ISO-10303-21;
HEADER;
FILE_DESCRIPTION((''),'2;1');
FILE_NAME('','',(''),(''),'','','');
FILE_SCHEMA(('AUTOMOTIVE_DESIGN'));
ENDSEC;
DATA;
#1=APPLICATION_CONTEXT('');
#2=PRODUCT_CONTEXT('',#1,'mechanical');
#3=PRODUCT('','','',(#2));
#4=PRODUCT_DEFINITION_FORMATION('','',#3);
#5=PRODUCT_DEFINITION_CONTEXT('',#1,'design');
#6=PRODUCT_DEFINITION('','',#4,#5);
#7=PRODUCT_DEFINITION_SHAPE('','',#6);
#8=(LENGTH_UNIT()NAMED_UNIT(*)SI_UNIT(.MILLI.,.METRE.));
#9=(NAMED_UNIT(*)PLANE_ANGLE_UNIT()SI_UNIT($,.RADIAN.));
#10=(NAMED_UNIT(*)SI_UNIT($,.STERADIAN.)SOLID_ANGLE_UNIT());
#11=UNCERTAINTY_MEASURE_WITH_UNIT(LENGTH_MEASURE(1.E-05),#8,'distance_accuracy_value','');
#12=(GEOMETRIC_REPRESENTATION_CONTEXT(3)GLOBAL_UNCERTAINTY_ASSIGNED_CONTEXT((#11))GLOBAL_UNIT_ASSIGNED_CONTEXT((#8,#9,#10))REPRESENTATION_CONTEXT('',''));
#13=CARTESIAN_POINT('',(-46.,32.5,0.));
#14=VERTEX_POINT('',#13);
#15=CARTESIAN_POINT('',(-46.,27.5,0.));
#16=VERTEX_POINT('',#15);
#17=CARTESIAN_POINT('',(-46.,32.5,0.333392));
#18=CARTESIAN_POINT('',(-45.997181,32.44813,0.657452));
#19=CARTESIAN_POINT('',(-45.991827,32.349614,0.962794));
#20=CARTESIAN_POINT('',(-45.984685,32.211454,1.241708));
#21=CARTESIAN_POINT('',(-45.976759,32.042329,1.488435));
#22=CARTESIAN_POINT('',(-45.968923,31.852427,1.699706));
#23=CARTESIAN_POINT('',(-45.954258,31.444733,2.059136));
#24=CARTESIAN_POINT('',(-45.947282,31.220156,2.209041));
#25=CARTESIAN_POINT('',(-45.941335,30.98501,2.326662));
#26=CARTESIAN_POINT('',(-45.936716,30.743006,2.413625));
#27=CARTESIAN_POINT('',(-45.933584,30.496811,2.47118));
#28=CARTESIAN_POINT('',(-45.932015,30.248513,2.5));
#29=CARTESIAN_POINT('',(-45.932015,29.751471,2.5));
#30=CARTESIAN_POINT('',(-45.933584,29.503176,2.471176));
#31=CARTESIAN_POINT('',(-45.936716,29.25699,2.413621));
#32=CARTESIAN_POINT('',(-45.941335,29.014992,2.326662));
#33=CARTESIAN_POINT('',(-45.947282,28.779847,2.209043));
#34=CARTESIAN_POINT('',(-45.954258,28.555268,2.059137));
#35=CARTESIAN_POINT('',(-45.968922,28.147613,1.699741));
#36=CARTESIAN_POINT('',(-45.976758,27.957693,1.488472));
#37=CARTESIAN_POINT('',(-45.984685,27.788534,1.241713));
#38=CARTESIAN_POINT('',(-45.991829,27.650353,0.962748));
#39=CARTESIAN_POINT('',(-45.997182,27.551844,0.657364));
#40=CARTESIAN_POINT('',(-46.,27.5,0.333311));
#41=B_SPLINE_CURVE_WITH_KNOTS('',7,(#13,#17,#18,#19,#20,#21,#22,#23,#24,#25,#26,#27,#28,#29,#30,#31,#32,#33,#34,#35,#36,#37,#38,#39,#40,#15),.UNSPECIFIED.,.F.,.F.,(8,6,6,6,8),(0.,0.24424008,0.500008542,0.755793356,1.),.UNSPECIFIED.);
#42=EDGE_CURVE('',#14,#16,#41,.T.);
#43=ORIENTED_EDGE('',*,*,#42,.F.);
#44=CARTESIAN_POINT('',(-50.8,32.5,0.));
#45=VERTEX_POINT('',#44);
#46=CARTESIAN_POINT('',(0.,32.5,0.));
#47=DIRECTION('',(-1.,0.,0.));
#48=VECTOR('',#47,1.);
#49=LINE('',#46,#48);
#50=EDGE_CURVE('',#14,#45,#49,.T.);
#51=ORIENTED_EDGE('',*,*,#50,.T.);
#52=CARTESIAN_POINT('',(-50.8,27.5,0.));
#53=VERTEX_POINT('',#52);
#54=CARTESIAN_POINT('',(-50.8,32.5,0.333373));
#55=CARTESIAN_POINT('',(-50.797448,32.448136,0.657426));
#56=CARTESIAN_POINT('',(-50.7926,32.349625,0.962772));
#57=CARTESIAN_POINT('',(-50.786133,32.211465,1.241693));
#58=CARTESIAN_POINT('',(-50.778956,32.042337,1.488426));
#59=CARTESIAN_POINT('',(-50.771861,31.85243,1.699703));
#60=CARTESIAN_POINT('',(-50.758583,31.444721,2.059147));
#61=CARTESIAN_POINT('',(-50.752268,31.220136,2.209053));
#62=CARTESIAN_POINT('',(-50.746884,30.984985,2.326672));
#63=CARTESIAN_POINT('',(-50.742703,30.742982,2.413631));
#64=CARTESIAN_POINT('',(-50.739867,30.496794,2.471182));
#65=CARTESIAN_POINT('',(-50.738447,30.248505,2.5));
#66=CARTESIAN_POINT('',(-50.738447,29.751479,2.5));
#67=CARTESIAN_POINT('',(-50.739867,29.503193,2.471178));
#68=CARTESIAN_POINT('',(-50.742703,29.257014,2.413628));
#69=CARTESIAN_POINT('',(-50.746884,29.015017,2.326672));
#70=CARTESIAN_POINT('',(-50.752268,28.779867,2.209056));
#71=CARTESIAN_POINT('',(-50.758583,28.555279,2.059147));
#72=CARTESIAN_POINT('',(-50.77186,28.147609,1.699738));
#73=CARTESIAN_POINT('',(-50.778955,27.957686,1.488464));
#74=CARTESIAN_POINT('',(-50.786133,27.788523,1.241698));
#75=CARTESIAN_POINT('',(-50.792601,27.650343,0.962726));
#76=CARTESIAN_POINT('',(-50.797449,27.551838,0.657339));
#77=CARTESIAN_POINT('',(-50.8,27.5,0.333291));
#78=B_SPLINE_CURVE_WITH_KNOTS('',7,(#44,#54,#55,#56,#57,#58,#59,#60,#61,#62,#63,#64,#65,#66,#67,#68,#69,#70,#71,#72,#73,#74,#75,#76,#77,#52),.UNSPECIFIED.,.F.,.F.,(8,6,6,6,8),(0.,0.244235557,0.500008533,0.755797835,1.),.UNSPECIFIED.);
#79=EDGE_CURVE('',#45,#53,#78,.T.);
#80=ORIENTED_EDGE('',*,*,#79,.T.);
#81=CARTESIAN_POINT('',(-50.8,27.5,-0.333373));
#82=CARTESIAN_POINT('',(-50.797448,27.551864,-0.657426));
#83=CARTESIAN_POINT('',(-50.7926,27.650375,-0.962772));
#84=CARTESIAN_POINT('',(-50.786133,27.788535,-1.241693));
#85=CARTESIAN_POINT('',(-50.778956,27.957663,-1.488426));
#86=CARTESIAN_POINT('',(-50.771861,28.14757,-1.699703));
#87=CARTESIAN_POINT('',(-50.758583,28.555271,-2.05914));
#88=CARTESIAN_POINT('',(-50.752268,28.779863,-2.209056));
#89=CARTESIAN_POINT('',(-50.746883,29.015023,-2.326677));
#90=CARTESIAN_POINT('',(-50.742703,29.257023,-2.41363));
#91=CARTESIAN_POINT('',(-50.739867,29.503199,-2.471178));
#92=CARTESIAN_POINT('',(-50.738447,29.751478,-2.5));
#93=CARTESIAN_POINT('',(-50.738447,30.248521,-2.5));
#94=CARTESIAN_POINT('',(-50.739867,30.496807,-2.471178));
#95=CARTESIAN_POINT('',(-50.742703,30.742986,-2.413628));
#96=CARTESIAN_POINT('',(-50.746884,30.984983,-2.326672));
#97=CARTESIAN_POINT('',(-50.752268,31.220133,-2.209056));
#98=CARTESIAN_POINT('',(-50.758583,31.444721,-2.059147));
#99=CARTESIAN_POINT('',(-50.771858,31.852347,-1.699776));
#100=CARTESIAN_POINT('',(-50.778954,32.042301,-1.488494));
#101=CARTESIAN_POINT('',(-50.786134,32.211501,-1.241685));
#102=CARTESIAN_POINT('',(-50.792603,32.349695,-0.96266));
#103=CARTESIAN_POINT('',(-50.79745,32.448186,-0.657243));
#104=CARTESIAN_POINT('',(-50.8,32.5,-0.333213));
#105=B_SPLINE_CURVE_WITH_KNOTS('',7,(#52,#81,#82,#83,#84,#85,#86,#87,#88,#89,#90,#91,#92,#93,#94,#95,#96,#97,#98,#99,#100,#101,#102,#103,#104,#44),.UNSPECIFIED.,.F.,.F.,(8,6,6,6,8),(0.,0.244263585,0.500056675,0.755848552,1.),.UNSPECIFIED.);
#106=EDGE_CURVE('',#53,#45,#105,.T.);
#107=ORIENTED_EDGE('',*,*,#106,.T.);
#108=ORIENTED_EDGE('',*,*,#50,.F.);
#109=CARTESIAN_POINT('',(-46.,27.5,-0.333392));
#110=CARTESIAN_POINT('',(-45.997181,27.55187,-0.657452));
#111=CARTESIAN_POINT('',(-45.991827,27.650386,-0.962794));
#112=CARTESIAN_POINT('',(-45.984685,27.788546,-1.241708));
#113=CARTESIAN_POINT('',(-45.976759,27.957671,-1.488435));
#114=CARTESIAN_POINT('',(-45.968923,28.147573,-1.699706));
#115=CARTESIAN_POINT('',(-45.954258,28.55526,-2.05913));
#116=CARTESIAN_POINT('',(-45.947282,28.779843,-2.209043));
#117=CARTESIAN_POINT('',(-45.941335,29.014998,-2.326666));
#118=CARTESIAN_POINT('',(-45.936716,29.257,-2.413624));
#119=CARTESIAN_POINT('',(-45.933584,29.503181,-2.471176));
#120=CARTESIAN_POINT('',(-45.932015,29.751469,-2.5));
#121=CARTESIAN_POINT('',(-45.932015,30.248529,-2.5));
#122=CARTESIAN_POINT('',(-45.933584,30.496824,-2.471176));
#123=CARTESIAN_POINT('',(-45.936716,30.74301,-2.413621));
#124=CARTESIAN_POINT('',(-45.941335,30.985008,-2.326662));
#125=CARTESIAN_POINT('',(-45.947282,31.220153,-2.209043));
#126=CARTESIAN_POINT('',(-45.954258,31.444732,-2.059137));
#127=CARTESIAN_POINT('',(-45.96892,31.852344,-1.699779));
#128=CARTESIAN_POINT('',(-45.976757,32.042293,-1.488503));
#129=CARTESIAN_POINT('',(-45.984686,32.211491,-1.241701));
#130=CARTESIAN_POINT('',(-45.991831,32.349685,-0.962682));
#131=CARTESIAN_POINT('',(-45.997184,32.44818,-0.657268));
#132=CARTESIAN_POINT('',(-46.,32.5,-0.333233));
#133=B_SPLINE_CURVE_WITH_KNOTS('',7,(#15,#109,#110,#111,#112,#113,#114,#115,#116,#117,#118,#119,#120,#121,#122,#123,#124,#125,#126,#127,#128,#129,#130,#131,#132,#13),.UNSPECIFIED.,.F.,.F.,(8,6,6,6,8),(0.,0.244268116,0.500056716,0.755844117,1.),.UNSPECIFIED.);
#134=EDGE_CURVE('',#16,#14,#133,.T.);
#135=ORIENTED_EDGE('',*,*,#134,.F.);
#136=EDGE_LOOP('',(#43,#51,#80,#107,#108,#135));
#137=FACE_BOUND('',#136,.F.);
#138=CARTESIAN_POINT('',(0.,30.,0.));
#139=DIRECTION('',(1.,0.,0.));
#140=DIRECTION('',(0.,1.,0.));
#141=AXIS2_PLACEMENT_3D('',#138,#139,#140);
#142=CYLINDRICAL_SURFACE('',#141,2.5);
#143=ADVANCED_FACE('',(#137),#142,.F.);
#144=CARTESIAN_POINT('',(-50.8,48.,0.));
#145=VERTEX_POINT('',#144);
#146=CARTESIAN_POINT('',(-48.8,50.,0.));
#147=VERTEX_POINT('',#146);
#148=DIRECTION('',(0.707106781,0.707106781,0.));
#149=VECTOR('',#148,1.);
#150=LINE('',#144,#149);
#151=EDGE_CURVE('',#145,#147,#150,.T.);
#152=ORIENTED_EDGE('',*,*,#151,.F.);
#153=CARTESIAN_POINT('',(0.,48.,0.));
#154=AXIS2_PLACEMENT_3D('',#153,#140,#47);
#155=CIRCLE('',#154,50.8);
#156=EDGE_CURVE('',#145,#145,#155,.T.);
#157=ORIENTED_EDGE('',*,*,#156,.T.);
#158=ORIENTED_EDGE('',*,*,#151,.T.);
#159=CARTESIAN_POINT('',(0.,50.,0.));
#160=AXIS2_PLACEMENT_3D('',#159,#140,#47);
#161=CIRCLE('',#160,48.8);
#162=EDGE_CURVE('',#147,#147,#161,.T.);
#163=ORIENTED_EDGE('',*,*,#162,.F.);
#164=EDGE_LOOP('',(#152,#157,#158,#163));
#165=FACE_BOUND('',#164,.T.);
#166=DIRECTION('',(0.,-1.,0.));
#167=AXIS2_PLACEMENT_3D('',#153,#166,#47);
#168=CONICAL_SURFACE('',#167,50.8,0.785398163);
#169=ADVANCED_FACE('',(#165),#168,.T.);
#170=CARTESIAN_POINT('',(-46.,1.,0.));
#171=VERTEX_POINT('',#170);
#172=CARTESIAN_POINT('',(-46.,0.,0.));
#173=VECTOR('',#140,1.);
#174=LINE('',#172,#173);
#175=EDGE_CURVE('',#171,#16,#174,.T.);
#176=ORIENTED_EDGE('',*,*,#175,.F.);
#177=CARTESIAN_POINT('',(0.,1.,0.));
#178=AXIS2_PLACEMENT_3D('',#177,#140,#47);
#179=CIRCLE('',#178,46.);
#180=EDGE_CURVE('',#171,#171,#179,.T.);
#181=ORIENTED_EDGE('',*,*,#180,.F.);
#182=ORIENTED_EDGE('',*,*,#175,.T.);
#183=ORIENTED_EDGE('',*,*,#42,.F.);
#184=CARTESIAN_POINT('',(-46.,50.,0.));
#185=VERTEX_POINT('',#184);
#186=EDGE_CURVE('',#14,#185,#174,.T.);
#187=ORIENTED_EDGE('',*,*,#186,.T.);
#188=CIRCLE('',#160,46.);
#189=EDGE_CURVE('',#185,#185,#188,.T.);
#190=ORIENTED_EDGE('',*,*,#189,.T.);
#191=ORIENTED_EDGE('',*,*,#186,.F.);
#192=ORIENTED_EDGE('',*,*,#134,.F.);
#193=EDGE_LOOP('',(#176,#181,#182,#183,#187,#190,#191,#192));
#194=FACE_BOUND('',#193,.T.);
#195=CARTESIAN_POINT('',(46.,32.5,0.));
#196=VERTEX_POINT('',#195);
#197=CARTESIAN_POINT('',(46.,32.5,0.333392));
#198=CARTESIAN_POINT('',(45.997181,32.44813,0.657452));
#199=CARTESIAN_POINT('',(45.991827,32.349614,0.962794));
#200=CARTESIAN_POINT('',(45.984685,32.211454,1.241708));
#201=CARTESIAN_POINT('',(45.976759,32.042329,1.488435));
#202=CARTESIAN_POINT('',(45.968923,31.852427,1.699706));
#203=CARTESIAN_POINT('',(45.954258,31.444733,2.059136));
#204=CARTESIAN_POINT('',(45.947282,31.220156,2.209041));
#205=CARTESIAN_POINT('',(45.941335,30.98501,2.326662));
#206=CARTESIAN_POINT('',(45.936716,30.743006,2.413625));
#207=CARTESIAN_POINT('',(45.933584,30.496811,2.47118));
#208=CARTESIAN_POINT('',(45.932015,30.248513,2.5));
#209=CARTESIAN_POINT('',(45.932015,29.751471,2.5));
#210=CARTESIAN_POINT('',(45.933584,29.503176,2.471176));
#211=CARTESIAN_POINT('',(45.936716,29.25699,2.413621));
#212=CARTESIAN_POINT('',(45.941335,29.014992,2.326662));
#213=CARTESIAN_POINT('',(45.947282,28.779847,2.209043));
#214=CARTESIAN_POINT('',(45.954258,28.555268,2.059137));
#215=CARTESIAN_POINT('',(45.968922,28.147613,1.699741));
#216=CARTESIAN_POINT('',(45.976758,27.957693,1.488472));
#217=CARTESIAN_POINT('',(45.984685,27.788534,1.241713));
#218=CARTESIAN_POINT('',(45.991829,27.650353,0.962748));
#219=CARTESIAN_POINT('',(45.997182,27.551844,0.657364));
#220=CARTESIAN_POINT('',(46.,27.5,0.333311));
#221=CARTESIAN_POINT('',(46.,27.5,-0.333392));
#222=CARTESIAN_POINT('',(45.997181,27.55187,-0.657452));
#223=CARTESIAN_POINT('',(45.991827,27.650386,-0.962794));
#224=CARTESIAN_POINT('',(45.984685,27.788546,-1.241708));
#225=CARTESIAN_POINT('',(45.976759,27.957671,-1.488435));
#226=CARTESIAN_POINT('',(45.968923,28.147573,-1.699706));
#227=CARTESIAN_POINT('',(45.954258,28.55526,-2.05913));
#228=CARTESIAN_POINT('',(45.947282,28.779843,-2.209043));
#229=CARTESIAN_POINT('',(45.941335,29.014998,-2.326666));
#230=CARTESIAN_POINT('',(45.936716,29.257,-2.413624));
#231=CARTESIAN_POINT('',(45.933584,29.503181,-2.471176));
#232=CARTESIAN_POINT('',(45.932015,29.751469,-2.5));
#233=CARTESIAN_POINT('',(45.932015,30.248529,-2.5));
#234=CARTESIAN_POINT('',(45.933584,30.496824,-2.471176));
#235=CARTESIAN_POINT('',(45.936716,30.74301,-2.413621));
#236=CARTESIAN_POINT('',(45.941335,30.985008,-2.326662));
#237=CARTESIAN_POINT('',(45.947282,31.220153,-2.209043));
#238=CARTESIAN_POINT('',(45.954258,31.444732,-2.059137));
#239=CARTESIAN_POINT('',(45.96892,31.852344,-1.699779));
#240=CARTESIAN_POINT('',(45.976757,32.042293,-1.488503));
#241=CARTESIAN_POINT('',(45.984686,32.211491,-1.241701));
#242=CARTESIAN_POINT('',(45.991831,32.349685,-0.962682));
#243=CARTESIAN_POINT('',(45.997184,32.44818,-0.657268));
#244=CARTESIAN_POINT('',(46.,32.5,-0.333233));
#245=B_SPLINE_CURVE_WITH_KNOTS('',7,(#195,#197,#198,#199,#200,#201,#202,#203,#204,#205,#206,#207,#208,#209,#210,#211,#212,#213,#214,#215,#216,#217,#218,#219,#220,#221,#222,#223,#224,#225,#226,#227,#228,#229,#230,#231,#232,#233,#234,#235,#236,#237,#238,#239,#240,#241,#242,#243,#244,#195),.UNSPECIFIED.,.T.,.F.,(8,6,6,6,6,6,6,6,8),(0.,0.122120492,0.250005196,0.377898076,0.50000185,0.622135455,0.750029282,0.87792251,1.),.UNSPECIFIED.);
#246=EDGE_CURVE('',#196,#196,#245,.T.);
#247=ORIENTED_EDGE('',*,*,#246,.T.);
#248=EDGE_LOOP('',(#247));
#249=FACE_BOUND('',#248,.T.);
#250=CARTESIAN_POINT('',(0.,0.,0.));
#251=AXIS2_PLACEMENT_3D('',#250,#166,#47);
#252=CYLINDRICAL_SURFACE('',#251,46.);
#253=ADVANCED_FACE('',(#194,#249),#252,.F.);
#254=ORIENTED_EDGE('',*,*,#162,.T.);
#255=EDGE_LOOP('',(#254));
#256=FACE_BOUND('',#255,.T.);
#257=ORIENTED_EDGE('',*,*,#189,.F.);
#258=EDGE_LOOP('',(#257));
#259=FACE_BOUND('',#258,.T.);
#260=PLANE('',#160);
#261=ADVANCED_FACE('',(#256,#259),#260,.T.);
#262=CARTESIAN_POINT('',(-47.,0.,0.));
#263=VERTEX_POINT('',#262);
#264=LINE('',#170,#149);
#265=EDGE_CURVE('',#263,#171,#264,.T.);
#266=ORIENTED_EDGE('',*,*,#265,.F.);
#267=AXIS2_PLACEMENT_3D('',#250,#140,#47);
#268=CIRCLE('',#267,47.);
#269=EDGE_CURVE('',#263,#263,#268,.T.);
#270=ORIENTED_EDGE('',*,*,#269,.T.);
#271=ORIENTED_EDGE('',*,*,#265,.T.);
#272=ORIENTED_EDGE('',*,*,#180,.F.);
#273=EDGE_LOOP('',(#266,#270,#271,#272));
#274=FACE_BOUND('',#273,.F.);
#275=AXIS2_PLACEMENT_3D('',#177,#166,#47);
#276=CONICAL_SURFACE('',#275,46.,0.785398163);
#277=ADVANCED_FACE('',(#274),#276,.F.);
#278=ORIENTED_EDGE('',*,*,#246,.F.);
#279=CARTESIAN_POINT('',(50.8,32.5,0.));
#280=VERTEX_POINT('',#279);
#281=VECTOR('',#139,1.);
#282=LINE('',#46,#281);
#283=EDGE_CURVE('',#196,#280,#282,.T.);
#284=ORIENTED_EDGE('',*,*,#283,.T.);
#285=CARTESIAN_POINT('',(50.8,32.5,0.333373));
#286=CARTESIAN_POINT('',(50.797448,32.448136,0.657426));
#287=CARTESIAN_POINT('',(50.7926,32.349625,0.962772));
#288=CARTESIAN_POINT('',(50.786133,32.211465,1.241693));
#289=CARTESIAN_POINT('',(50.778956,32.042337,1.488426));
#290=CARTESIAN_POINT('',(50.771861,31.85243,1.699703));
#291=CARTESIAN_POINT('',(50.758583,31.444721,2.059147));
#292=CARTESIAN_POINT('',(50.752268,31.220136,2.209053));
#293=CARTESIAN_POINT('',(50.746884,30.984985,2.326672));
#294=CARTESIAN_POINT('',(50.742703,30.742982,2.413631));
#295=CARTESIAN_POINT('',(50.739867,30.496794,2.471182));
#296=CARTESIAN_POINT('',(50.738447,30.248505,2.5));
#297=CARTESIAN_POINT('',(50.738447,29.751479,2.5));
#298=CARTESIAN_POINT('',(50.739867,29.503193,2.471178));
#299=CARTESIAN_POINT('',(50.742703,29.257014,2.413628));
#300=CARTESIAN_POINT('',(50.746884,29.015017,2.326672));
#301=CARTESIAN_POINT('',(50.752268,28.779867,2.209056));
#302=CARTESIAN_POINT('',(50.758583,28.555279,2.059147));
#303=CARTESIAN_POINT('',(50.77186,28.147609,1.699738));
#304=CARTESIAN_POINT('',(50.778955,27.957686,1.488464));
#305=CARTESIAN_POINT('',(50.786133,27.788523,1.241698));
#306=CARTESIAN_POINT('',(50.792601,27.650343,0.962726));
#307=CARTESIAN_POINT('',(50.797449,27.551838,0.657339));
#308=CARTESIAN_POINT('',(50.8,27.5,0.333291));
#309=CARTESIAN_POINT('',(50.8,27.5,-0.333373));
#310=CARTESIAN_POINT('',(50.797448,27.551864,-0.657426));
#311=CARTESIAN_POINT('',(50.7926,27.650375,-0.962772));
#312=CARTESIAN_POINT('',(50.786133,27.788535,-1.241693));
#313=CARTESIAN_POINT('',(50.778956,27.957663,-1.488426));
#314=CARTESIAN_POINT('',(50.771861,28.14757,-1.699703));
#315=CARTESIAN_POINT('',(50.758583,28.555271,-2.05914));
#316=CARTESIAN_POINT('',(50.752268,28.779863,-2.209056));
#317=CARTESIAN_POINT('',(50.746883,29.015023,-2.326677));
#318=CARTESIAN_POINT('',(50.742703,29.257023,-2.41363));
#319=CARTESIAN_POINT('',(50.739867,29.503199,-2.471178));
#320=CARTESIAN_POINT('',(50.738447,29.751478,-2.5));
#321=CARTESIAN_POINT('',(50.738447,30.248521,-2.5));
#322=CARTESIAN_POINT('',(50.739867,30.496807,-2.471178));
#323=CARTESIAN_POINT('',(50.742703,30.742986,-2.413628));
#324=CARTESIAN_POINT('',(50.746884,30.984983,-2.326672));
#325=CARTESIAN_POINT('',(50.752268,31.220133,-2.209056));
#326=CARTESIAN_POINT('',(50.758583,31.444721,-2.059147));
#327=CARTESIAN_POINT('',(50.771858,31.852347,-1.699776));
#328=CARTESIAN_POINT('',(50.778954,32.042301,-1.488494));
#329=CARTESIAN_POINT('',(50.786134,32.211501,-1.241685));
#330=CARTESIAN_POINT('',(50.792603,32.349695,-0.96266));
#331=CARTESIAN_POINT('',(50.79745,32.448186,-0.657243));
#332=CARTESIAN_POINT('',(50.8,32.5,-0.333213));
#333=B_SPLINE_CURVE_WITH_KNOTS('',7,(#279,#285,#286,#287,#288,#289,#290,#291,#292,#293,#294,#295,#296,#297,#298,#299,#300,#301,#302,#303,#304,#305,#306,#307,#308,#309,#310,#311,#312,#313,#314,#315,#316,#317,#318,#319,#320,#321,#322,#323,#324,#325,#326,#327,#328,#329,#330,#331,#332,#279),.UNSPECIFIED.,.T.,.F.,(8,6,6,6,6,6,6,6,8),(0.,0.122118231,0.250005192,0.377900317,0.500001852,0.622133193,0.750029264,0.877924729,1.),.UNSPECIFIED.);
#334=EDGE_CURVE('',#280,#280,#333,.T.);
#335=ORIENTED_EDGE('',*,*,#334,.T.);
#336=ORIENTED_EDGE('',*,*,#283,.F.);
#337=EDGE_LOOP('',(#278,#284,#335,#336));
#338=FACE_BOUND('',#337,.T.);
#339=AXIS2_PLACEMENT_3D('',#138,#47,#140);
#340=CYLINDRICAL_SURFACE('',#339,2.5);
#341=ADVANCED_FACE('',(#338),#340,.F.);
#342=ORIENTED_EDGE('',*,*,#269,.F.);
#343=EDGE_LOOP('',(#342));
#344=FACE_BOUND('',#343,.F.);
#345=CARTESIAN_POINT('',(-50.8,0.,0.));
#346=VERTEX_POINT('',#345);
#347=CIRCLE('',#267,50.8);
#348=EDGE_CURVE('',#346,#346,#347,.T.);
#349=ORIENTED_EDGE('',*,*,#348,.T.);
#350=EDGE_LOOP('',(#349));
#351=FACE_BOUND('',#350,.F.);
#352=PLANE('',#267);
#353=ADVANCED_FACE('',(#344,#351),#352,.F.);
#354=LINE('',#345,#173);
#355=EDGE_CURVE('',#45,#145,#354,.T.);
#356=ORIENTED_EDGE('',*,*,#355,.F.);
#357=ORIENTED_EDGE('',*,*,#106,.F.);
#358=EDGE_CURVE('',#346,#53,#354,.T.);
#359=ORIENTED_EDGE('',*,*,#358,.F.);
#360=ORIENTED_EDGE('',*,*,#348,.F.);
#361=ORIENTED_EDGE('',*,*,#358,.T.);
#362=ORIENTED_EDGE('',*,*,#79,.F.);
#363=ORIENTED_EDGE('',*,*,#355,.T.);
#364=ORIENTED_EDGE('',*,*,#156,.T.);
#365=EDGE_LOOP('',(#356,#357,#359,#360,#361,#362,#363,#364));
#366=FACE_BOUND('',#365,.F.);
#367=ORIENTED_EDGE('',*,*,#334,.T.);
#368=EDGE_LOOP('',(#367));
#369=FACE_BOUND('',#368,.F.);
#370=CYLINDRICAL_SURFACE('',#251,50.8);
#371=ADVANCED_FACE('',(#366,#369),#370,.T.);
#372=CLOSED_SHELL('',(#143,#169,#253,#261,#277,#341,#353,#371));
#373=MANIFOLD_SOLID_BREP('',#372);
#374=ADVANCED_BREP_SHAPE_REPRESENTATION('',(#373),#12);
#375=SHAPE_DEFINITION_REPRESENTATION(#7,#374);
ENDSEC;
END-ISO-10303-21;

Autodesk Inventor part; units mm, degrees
ref_plane "YZ Plane" through (0, 0, 0) normal (1, 0, 0) x (0, 1, 0)
ref_plane "XZ Plane" through (0, 0, 0) normal (0, 1, 0) x (-1, 0, 0)
ref_plane "XY Plane" through (0, 0, 0) normal (0, 0, 1) x (1, 0, 0)
sketch "Sketch1" plane through (0, 0, 0) normal (0, 1, 0) x (-1, 0, 0)
  circle A0 centre (0, 0) radius 46
  circle A1 centre (0, 0) radius 50.8
  dimension "d0" = 92
  dimension "d1" = 101.6
extrude "Extrusion1" add sketch "Sketch1" along normal blind 50
chamfer "Chamfer1" distance 2 angle 45 1 edges at (50.8, 50, 0)
chamfer "Chamfer2" distance 1 angle 45 1 edges at (46, 0, 0)
sketch "Sketch2" plane through (0, 0, 0) normal (1, 0, 0) x (0, 1, 0)
  circle A0 centre (30, 0) radius 2.5
  line L0 (50, 46) -> (50, -46) projected
  point P0 (0, 0)
  dimension "d10" = 5
  dimension "d11" = 20
extrude "Extrusion2" cut sketch "Sketch2" along normal through all both and the other way through all
properties part number "HubSparHole90"
